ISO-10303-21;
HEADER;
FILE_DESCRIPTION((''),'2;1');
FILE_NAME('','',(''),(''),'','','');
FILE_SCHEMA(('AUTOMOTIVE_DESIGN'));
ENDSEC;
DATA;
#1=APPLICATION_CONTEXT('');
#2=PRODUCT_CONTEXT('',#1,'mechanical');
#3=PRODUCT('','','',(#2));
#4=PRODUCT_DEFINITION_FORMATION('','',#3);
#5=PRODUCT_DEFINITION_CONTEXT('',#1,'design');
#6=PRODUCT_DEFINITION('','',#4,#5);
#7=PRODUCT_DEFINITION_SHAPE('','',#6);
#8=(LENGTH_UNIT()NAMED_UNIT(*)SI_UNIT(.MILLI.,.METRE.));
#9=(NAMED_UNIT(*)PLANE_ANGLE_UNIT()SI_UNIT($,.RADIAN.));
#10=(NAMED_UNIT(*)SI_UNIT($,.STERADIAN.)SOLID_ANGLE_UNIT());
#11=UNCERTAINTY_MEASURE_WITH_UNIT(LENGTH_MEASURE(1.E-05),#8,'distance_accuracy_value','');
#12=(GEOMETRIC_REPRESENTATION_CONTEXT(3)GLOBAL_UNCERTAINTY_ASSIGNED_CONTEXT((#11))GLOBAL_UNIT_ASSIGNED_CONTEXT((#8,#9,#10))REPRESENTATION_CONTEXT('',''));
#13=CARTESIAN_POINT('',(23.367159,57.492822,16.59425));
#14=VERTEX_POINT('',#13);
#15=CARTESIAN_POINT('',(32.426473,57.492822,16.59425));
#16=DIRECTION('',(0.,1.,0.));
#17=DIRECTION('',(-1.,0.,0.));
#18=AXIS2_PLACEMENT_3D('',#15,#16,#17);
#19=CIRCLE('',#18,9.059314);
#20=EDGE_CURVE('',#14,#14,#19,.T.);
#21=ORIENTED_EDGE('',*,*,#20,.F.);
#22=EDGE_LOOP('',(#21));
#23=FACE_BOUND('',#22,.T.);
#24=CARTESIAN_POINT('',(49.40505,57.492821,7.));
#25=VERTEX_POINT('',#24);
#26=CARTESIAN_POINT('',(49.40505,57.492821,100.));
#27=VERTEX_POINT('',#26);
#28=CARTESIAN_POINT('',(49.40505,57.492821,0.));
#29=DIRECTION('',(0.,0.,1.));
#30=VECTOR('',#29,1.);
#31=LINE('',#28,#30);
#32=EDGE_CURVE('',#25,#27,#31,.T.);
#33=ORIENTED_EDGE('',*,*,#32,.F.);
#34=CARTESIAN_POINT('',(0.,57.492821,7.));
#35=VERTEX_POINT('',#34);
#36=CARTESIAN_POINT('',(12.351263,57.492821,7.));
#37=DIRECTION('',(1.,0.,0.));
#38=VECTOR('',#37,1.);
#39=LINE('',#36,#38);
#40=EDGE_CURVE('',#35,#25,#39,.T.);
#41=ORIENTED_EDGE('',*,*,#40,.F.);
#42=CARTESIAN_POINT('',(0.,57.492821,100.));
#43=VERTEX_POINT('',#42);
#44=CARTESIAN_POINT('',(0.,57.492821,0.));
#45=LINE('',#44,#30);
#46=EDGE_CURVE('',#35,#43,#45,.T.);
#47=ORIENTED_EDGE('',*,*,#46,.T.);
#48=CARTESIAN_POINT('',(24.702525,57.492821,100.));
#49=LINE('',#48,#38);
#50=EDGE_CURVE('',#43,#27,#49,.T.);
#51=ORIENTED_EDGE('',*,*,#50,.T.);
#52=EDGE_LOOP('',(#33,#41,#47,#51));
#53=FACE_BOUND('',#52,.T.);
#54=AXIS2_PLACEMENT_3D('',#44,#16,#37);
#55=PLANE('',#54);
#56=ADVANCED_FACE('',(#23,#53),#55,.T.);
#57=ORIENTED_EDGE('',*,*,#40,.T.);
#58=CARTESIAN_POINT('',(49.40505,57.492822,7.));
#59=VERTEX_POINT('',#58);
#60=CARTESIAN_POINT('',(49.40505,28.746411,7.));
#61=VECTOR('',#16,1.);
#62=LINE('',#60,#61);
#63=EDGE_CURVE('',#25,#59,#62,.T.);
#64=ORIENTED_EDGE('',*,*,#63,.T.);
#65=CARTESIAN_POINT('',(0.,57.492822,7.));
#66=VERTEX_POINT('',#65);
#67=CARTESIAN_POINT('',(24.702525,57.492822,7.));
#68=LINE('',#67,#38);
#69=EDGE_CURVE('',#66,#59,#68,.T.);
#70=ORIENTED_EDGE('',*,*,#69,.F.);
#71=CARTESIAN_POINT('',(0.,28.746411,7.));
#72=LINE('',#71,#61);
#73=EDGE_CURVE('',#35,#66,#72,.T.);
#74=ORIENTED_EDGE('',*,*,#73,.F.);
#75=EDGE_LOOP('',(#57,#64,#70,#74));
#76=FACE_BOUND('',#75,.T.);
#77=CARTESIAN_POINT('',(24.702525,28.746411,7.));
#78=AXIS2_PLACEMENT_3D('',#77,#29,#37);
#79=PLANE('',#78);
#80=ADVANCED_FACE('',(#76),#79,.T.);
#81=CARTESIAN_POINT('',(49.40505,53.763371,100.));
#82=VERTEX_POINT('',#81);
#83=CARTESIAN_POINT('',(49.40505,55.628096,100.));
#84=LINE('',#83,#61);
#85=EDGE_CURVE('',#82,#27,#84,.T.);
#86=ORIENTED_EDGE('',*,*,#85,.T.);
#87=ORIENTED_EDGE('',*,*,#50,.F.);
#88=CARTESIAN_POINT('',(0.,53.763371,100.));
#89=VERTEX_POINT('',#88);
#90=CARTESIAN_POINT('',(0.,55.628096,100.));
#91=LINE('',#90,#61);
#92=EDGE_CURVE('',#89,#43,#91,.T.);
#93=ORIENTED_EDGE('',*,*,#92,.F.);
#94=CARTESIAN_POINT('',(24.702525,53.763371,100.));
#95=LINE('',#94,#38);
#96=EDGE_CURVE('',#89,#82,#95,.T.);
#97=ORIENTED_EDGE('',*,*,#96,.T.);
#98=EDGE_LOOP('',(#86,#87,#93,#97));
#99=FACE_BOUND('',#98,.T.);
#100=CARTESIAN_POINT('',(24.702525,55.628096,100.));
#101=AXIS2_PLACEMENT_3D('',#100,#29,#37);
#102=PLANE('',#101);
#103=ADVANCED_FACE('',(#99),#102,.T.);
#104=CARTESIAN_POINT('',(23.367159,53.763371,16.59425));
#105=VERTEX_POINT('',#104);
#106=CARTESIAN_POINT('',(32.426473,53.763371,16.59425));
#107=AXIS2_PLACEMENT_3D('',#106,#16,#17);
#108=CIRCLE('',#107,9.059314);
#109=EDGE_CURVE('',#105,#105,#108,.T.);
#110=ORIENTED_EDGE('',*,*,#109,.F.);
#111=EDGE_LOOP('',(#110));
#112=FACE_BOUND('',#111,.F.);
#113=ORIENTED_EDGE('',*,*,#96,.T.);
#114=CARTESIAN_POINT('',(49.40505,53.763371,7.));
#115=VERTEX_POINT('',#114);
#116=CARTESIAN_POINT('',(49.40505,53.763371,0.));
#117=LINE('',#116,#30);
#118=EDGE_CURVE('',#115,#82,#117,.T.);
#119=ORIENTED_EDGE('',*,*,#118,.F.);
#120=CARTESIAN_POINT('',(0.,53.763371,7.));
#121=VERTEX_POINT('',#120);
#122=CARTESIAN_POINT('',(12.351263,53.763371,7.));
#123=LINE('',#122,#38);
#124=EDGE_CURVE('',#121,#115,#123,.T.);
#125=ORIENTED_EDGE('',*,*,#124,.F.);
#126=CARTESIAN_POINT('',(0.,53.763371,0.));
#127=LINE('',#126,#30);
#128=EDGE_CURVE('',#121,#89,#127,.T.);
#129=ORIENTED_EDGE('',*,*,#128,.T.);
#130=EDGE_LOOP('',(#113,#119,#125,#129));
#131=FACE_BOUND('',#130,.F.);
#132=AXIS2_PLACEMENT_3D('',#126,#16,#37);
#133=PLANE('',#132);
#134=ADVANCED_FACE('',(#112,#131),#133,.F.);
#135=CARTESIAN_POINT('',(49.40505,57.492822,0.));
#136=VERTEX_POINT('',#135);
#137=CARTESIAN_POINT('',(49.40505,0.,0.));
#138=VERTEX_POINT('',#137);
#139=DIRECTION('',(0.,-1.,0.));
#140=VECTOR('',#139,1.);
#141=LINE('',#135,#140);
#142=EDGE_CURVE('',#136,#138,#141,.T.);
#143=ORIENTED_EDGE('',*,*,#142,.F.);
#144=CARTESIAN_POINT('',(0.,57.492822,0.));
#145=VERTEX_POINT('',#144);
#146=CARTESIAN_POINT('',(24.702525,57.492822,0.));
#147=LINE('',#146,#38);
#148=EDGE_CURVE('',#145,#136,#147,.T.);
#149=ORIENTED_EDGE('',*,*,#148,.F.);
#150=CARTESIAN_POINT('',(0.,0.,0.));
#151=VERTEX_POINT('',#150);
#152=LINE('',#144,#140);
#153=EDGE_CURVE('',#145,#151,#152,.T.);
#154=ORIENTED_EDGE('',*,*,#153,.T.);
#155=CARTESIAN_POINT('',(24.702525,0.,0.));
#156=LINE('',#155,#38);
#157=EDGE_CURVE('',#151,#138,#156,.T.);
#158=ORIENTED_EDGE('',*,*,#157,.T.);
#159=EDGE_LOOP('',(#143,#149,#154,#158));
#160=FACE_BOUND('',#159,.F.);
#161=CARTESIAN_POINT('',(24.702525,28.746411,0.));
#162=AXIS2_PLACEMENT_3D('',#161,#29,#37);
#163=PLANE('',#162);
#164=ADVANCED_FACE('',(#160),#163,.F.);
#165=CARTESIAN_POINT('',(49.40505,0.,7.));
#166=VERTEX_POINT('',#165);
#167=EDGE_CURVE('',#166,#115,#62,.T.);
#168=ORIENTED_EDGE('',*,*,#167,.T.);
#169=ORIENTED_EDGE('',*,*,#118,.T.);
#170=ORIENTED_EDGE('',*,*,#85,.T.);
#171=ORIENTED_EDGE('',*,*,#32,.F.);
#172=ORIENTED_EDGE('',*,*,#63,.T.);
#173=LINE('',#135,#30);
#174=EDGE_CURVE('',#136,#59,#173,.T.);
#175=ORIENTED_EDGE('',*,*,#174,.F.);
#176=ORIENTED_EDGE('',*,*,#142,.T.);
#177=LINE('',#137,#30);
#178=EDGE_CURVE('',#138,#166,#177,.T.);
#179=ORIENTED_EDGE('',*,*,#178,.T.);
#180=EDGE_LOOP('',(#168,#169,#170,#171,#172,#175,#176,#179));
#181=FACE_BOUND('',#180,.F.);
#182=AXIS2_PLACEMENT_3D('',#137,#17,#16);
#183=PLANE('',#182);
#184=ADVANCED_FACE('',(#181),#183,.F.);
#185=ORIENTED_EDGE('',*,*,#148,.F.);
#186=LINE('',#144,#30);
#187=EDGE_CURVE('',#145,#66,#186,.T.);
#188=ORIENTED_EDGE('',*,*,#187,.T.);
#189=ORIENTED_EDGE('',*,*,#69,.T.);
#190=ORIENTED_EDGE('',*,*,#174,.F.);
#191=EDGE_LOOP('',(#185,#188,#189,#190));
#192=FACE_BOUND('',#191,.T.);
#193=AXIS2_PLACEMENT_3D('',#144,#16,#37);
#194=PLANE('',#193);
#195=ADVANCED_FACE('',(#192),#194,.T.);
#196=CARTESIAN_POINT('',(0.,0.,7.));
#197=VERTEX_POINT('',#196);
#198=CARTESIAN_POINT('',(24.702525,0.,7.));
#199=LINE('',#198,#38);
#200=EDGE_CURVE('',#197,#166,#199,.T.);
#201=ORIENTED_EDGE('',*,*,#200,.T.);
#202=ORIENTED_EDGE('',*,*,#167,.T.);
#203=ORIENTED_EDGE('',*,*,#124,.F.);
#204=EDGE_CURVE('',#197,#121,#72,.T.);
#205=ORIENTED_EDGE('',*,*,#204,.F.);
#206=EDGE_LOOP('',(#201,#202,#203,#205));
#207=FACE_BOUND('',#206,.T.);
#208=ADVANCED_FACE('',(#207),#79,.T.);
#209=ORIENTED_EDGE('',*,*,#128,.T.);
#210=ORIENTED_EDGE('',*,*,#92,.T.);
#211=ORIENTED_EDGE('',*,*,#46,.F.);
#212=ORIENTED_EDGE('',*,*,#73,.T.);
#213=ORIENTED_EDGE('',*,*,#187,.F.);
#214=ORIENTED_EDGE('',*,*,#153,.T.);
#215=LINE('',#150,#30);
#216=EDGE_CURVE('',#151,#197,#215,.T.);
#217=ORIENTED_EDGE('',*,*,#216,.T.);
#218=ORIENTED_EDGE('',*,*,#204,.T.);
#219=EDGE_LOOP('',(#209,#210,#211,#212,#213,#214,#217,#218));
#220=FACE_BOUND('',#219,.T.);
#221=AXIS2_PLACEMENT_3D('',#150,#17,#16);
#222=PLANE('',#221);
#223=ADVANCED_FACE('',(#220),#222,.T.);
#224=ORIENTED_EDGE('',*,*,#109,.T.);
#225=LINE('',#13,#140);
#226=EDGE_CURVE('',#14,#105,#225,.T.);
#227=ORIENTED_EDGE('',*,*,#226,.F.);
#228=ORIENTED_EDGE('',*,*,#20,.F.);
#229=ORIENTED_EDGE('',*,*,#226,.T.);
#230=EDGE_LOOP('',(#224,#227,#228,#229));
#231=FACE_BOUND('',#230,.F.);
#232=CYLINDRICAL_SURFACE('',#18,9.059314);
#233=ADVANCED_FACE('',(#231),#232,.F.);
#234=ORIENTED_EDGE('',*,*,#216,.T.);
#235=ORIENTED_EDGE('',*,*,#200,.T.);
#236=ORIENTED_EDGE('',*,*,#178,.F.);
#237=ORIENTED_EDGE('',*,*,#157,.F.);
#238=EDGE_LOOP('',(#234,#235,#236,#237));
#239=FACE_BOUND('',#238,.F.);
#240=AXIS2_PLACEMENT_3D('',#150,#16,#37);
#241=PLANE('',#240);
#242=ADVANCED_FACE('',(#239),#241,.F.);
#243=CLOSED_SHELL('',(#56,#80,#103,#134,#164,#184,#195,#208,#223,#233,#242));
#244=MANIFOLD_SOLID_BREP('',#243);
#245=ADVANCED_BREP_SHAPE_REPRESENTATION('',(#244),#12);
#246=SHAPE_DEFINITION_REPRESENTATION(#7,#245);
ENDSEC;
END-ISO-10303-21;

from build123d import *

# Parameters (mm, degrees)
F1_W     = 49.40505
F1_H     = 3.729451
F2_DEPTH = 100
F0_W     = 49.40505
F0_H     = 57.492822
F3_DEPTH = 7
F4_R     = 9.059314
F5_DEPTH = 25


with BuildPart() as f2:
    # F1 (on face) → F2 (new body)
    with BuildSketch(Plane.XY):
        with Locations((24.702525, 55.628096)):
            Rectangle(F1_W, F1_H)
    extrude(amount=F2_DEPTH)

    # F0 (on Top) → F3 (join)
    with BuildSketch(Plane.XY):
        with Locations((24.702525, 28.746411)):
            Rectangle(F0_W, F0_H)
    extrude(amount=F3_DEPTH)

    # F4 (on face) → F5 (cut)
    with BuildSketch(Plane(origin=(0, 57.492822, 0), x_dir=(-1, 0, 0), z_dir=(0, 1, 0))):
        with Locations((-32.426473, 16.59425)):
            Circle(F4_R)
    extrude(amount=-F5_DEPTH, mode=Mode.SUBTRACT)


solid = f2.part
